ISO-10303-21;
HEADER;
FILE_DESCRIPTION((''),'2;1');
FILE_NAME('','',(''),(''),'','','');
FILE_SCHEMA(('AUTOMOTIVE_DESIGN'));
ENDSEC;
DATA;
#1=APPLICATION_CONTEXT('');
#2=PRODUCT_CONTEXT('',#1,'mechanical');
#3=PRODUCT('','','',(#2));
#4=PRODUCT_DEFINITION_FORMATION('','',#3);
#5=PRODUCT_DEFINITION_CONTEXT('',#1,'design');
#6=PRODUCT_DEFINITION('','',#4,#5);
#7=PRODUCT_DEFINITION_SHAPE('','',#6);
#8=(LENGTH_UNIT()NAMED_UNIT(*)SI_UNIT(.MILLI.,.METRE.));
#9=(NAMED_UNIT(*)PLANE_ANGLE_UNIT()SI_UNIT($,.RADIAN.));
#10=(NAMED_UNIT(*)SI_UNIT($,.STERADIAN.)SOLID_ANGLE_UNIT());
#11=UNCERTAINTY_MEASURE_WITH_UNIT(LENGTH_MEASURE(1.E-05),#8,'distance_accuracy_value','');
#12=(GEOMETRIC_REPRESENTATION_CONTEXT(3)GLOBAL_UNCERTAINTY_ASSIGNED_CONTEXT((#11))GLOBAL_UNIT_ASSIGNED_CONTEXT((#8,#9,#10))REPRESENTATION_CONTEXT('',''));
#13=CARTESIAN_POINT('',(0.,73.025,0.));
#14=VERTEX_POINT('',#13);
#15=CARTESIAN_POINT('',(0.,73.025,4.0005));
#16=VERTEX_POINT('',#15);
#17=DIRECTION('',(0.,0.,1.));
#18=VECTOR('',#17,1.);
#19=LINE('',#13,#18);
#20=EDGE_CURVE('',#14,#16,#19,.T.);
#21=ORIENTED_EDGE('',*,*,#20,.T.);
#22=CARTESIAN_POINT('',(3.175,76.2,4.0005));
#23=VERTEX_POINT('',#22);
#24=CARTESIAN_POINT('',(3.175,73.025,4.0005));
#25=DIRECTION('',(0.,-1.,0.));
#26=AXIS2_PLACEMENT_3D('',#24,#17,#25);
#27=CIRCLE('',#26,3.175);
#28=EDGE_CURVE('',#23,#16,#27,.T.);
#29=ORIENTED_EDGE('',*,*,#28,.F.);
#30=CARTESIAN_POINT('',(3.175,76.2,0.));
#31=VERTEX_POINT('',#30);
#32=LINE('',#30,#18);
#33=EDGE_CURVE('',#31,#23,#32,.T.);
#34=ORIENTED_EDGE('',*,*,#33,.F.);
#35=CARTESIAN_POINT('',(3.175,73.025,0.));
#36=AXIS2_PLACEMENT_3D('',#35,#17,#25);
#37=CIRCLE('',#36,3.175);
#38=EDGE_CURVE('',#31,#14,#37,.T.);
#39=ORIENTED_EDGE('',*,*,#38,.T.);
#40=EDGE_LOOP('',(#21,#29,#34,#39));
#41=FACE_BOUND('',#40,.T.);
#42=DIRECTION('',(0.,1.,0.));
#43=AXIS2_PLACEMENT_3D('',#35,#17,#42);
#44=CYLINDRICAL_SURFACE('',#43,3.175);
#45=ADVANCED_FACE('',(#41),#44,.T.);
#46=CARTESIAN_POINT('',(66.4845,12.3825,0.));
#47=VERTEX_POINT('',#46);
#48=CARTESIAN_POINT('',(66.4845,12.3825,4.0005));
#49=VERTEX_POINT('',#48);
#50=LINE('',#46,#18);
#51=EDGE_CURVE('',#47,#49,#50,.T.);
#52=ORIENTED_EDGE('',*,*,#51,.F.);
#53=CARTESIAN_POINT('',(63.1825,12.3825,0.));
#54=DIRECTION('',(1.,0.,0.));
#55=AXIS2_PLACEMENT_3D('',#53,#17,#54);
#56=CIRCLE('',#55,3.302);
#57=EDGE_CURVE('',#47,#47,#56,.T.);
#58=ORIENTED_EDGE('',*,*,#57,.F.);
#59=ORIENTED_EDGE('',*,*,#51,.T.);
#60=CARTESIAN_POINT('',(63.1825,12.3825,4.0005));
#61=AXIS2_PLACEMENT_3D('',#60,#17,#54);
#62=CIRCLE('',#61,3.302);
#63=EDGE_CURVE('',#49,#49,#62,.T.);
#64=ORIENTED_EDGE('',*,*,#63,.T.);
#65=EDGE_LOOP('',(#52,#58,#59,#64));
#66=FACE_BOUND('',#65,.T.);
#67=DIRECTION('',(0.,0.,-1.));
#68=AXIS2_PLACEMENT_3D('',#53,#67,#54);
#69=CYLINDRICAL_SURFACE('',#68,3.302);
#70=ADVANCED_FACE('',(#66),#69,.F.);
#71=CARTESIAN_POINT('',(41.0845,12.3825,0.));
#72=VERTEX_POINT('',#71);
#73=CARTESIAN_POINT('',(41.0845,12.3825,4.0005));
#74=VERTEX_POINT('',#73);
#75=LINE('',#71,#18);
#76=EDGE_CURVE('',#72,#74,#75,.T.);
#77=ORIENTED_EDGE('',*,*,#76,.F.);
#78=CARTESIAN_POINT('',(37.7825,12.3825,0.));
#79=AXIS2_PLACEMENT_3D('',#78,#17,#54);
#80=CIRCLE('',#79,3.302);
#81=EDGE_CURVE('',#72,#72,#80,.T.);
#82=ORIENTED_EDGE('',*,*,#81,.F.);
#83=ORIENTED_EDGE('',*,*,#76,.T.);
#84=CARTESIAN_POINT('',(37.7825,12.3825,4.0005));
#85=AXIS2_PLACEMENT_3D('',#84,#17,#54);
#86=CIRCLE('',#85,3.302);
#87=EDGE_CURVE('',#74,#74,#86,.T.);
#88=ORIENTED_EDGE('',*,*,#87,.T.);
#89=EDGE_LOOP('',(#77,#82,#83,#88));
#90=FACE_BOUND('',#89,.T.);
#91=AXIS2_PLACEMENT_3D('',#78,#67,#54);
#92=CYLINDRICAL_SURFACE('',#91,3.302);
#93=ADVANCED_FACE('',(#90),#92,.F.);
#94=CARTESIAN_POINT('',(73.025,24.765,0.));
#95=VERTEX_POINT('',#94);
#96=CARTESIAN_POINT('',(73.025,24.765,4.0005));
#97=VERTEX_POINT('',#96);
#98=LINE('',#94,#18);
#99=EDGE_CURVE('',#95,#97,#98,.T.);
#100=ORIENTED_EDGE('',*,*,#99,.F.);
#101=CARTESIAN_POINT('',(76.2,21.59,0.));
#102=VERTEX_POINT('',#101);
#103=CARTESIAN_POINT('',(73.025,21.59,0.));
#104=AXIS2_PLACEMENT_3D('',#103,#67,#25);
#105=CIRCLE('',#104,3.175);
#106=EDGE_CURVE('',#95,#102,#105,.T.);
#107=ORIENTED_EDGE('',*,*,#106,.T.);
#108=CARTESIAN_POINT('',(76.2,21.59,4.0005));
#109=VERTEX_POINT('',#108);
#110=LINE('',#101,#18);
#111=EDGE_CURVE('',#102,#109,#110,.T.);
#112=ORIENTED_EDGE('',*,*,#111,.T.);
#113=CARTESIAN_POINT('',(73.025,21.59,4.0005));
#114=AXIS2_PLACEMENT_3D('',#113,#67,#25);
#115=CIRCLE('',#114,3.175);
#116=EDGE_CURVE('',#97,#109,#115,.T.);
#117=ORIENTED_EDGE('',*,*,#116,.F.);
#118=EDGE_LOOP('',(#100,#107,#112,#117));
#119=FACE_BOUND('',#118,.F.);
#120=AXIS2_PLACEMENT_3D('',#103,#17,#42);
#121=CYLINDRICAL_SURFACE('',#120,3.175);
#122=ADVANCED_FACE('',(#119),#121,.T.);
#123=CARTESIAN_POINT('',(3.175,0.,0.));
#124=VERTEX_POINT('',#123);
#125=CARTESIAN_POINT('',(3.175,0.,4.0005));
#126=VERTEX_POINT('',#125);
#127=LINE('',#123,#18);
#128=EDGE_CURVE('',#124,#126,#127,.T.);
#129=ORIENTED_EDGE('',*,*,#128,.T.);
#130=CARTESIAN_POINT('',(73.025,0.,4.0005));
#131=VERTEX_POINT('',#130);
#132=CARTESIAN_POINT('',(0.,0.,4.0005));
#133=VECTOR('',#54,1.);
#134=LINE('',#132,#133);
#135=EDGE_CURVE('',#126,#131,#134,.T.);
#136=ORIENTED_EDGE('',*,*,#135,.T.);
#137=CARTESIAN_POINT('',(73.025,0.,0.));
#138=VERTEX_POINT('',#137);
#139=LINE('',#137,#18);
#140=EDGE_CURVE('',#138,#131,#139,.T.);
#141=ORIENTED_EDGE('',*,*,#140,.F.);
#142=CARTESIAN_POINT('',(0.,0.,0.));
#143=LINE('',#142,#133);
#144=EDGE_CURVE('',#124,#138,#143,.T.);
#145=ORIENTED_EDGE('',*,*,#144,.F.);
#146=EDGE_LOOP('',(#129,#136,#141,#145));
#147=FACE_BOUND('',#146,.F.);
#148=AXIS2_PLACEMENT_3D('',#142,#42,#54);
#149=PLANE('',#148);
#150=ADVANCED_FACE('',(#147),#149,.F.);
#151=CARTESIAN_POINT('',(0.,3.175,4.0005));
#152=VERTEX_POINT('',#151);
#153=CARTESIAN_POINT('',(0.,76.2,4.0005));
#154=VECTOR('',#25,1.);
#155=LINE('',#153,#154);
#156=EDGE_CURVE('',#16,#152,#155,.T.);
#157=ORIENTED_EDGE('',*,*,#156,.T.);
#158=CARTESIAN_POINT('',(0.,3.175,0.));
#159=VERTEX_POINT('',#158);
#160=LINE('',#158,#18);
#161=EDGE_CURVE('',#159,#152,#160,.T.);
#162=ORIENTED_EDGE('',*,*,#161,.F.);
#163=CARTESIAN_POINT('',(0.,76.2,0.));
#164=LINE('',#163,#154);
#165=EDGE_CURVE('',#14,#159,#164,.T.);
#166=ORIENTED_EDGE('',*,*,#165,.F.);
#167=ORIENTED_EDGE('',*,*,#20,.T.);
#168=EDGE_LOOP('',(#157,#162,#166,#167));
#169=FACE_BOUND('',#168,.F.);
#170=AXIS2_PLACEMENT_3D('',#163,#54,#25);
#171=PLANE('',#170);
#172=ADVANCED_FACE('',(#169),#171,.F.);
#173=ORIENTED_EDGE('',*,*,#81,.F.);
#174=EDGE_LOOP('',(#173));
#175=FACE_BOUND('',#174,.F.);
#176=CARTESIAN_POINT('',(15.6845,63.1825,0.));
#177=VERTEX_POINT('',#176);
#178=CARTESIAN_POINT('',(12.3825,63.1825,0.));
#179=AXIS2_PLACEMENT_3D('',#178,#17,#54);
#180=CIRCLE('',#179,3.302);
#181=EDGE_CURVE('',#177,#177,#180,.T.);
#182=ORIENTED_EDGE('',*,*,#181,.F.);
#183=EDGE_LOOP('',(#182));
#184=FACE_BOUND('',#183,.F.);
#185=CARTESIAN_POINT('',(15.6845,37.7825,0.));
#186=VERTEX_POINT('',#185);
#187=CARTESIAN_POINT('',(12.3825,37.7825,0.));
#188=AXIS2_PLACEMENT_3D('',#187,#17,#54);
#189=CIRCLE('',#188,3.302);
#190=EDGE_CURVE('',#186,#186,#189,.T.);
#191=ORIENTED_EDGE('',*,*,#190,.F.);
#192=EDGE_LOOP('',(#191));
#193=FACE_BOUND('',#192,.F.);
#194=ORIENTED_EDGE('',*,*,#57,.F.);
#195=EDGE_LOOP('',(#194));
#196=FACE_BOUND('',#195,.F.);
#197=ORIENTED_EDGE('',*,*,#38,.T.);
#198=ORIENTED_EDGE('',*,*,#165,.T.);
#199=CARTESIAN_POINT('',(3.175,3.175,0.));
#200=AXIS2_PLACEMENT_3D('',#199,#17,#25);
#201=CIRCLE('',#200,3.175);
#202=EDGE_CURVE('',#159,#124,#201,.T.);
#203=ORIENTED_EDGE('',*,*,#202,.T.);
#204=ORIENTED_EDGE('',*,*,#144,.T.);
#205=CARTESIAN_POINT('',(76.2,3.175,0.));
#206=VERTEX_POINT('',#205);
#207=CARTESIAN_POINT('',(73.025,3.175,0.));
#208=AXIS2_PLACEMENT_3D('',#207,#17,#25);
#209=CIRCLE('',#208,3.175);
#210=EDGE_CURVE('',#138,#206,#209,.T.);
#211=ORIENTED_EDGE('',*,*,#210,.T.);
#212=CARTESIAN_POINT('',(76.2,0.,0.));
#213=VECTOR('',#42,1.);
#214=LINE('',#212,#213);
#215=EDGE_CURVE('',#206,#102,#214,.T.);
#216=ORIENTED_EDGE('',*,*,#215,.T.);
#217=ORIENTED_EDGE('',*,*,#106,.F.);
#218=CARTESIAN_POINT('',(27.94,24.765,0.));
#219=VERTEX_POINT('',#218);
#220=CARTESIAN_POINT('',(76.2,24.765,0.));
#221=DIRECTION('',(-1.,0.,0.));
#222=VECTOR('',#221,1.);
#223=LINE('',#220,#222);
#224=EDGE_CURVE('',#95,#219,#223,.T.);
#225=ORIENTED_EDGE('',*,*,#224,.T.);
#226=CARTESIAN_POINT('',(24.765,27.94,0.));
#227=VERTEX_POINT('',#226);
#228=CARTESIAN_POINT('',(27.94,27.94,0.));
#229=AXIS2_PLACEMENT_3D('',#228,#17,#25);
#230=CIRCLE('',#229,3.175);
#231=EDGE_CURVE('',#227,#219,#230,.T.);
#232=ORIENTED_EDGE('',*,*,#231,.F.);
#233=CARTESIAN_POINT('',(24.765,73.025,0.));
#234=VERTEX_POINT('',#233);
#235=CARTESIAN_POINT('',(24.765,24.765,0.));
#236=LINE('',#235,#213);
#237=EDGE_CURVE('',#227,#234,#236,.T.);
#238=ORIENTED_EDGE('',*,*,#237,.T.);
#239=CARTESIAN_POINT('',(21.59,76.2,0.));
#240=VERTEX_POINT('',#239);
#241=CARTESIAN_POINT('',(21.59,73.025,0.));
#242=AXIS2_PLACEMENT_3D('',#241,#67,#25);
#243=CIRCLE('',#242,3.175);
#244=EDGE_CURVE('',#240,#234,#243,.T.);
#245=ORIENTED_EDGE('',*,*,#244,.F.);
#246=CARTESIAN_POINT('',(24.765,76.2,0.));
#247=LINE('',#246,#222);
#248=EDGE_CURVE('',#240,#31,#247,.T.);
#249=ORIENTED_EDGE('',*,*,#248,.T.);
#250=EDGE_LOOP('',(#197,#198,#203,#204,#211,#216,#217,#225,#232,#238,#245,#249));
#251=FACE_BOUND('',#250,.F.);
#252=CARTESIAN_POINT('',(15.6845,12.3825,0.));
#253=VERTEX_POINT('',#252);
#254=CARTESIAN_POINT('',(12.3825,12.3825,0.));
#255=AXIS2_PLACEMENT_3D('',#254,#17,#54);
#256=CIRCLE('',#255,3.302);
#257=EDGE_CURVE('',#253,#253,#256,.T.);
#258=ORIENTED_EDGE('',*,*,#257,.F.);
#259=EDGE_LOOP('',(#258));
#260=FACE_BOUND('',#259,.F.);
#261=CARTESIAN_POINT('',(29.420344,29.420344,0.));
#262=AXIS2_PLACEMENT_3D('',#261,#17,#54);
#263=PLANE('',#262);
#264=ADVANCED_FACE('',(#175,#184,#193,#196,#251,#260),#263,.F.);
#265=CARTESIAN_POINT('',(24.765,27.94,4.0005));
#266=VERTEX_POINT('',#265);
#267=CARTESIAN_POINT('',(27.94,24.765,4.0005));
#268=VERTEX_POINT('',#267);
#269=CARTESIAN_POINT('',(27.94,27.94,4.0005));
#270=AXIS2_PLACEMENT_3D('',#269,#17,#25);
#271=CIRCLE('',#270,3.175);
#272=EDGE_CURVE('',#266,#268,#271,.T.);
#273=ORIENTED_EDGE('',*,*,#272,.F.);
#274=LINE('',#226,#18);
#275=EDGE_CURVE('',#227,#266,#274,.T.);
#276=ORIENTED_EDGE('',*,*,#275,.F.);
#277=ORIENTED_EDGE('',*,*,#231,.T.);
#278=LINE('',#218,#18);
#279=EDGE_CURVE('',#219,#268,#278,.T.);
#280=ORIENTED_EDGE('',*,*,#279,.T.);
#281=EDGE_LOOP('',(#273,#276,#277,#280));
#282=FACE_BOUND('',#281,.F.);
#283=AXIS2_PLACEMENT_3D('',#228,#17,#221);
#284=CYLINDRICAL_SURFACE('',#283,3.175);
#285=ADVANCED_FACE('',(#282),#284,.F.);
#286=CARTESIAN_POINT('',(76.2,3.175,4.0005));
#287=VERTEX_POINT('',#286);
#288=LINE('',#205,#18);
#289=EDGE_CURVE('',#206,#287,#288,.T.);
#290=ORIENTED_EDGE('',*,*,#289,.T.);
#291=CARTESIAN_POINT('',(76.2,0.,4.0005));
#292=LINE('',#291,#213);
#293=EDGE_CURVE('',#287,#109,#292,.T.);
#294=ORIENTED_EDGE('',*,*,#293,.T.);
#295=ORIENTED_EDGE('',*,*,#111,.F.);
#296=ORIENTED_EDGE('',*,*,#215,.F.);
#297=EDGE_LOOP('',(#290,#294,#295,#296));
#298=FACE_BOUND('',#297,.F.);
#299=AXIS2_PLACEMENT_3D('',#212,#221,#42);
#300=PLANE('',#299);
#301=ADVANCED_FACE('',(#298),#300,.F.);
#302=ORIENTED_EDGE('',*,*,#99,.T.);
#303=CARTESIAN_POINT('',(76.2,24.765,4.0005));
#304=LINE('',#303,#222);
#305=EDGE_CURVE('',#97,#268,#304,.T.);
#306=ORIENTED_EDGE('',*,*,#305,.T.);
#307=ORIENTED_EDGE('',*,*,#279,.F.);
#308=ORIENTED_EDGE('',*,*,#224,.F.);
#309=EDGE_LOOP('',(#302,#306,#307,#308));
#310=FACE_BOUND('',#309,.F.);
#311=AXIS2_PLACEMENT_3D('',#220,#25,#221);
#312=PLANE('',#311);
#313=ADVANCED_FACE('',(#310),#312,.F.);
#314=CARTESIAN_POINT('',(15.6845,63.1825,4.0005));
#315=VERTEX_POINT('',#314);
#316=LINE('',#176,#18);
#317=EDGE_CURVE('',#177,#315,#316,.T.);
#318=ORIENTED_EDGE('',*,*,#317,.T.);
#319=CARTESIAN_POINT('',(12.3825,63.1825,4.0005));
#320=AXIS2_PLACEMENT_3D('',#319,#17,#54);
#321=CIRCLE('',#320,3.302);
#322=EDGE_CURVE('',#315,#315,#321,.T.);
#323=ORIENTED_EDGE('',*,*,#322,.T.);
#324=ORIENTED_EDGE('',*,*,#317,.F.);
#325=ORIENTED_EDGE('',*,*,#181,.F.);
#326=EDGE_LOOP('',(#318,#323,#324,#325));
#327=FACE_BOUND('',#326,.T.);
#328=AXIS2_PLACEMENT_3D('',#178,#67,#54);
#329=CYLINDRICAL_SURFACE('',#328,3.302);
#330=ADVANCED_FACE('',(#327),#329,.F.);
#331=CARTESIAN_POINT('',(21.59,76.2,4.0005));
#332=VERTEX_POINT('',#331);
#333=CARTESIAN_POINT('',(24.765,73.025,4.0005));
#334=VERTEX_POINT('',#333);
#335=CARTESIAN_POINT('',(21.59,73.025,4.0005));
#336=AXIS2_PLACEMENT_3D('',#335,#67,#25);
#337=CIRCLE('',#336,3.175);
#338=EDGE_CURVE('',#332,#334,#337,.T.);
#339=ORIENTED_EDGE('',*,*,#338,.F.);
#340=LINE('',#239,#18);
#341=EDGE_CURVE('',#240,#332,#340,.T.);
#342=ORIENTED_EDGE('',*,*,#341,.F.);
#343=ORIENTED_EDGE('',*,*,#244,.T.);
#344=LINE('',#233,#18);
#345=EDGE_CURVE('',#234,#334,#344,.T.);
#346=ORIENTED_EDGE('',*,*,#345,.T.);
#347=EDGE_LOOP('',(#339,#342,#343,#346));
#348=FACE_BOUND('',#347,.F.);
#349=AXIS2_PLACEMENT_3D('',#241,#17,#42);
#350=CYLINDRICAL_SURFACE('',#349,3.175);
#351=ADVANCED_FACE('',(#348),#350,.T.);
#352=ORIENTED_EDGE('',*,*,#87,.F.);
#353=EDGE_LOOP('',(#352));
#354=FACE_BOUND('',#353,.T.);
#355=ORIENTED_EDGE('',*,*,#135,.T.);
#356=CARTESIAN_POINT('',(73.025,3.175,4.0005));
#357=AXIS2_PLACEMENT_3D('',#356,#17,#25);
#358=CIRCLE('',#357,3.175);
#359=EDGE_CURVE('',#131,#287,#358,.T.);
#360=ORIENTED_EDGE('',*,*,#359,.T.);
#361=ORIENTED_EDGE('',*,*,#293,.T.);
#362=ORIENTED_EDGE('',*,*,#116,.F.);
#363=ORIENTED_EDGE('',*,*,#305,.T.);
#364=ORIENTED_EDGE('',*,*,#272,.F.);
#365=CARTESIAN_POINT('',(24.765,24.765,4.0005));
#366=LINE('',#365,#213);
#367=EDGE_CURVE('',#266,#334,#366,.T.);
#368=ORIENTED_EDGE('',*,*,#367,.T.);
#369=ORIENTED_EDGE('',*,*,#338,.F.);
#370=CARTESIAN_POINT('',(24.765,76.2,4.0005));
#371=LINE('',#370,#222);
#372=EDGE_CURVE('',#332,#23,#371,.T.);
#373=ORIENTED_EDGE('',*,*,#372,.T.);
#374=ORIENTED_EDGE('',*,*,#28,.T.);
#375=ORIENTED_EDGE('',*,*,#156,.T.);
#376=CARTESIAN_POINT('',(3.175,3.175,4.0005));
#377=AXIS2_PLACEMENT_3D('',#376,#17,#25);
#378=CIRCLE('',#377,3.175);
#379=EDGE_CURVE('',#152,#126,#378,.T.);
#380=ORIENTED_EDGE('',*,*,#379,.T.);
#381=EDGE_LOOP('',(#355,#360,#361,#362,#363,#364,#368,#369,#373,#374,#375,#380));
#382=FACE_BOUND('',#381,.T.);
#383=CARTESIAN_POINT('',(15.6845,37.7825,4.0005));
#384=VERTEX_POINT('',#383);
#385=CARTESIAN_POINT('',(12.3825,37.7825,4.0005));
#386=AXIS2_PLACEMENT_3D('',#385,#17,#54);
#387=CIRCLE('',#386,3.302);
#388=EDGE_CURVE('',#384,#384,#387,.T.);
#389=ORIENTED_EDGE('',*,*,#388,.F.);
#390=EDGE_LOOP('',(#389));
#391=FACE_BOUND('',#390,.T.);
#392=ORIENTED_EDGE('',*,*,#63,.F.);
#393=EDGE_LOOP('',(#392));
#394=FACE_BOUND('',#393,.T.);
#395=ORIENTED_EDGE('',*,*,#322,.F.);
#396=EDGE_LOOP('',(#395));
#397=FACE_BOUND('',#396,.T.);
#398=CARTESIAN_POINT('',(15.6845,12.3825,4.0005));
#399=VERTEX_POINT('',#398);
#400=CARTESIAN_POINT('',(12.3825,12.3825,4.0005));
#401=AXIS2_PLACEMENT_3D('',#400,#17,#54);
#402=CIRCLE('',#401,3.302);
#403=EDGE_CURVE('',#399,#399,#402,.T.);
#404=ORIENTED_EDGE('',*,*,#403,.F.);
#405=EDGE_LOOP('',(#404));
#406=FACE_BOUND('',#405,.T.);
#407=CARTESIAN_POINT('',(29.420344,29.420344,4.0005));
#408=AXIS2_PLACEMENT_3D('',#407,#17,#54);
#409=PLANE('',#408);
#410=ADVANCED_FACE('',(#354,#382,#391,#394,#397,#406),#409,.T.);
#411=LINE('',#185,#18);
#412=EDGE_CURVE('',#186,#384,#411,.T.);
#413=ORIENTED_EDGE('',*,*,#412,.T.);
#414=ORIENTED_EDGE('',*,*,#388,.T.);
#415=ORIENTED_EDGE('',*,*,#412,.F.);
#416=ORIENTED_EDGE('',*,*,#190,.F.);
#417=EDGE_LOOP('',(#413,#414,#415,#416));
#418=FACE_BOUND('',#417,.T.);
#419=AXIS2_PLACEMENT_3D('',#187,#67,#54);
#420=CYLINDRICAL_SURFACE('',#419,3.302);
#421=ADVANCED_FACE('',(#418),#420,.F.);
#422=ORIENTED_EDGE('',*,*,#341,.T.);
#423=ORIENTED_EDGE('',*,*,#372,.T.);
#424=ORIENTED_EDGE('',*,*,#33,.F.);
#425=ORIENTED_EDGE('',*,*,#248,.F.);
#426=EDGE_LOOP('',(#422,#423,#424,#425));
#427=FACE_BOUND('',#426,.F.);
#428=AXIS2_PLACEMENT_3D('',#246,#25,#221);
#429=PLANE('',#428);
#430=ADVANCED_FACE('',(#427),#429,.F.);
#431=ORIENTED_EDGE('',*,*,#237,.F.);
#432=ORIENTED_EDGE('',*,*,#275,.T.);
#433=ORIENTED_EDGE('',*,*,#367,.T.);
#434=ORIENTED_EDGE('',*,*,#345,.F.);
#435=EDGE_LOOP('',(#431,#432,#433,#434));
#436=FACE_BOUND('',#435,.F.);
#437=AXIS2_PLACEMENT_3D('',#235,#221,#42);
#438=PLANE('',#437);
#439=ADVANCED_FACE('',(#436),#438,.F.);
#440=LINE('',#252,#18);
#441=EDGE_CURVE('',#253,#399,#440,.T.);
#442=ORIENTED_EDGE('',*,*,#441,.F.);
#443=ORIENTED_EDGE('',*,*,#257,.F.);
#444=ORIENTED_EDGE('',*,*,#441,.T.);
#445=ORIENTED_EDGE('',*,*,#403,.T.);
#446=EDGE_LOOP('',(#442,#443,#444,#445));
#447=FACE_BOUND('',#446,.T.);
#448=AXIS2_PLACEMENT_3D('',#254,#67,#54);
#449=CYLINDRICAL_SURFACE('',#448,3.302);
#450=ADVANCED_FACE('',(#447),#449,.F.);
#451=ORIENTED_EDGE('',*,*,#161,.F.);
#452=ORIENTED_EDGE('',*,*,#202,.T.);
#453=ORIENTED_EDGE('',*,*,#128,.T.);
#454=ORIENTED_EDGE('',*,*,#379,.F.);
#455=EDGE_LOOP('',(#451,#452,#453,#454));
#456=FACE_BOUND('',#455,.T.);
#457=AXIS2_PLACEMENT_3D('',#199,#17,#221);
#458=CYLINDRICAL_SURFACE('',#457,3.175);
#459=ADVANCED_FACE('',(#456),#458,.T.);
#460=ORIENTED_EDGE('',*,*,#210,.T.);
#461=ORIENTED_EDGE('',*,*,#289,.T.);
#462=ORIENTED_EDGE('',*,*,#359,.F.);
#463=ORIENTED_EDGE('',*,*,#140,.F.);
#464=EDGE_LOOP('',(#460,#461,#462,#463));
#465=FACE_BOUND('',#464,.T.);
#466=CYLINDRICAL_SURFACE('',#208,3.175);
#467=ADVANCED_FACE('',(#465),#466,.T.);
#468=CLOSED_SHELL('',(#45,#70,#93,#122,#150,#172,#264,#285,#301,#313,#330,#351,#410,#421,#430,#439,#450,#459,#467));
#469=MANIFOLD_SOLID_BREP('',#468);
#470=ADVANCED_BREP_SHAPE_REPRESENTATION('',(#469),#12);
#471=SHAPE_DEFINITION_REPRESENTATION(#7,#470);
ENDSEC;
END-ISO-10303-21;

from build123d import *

# Parameters (mm, degrees)
F0_R     = 3.302
F1_DEPTH = 4.0005
F2_R     = 3.175


with BuildPart() as f1:
    # F0 (on Top) → F1 (new body)
    with BuildSketch(Plane.XY):
        Polygon((24.765, 76.2), (0, 76.2), (0, 0), (76.2, 0), (76.2, 24.765), (24.765, 24.765), align=None)
        with Locations((12.3825, 12.3825)):
            Circle(F0_R, mode=Mode.SUBTRACT)
        with Locations((37.7825, 12.3825)):
            Circle(F0_R, mode=Mode.SUBTRACT)
        with Locations((12.3825, 37.7825)):
            Circle(F0_R, mode=Mode.SUBTRACT)
        with Locations((63.1825, 12.3825)):
            Circle(F0_R, mode=Mode.SUBTRACT)
        with Locations((12.3825, 63.1825)):
            Circle(F0_R, mode=Mode.SUBTRACT)
    extrude(amount=F1_DEPTH)

    # F2
    f2_edges = [f1.edges().sort_by_distance(p)[0] for p in [
        (24.765, 24.765, 2.00025),
        (76.2, 24.765, 2.00025),
        (76.2, 0, 2.00025),
        (0, 0, 2.00025),
        (24.765, 76.2, 2.00025),
        (0, 76.2, 2.00025),
    ]]
    fillet(f2_edges, radius=F2_R)


solid = f1.part
